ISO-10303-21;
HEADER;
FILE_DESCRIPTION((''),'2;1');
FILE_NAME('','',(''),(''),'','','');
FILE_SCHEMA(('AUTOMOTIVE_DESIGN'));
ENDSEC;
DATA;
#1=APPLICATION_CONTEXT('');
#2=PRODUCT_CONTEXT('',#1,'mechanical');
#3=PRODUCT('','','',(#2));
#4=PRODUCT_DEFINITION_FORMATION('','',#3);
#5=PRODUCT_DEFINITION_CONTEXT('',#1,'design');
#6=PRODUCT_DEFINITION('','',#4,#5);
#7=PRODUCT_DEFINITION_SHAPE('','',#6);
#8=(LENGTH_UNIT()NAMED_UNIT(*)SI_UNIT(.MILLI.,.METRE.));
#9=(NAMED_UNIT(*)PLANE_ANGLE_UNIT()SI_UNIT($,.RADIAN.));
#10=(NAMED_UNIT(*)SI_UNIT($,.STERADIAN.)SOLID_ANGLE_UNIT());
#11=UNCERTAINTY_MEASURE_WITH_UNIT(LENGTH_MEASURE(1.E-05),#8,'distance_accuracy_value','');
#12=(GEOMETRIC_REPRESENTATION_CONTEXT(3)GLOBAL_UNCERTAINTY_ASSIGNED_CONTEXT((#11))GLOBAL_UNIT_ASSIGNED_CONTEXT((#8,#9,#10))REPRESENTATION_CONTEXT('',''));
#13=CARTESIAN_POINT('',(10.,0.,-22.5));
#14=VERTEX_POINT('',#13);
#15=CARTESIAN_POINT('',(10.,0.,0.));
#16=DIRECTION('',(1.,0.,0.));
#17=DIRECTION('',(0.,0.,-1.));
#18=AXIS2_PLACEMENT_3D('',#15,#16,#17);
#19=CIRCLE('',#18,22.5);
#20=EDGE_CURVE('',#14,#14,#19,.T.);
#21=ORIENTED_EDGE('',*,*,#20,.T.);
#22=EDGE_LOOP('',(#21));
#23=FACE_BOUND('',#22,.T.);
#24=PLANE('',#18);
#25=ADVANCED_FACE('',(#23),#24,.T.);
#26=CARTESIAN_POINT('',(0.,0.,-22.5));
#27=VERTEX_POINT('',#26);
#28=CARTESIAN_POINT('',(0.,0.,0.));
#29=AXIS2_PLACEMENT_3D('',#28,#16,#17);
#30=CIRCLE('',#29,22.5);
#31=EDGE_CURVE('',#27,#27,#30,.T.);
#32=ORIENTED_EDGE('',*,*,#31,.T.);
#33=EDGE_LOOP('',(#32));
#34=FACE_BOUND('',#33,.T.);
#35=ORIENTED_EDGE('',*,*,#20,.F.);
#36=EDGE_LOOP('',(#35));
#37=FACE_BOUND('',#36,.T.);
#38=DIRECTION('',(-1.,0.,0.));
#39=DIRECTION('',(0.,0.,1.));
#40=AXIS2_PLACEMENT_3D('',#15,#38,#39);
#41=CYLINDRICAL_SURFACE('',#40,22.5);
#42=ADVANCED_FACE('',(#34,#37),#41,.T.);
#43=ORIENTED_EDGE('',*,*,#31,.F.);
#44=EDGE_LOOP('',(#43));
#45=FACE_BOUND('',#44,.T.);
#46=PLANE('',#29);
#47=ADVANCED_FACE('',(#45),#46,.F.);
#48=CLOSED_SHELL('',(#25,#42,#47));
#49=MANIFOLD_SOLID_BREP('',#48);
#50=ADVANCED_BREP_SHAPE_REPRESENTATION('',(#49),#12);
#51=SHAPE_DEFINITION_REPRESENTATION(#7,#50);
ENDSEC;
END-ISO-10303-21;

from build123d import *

# Parameters (mm, degrees)
ESQUISSE1_R        = 22.5
BOSS_EXTRU_1_DEPTH = 10


with BuildPart() as part:
    # Esquisse1 → Boss.-Extru.1 (new body)
    with BuildSketch(Plane(origin=(0, 0, 0), x_dir=(0, 0, -1), z_dir=(1, 0, 0))):
        Circle(ESQUISSE1_R)
    extrude(amount=BOSS_EXTRU_1_DEPTH)


solid = part.part
